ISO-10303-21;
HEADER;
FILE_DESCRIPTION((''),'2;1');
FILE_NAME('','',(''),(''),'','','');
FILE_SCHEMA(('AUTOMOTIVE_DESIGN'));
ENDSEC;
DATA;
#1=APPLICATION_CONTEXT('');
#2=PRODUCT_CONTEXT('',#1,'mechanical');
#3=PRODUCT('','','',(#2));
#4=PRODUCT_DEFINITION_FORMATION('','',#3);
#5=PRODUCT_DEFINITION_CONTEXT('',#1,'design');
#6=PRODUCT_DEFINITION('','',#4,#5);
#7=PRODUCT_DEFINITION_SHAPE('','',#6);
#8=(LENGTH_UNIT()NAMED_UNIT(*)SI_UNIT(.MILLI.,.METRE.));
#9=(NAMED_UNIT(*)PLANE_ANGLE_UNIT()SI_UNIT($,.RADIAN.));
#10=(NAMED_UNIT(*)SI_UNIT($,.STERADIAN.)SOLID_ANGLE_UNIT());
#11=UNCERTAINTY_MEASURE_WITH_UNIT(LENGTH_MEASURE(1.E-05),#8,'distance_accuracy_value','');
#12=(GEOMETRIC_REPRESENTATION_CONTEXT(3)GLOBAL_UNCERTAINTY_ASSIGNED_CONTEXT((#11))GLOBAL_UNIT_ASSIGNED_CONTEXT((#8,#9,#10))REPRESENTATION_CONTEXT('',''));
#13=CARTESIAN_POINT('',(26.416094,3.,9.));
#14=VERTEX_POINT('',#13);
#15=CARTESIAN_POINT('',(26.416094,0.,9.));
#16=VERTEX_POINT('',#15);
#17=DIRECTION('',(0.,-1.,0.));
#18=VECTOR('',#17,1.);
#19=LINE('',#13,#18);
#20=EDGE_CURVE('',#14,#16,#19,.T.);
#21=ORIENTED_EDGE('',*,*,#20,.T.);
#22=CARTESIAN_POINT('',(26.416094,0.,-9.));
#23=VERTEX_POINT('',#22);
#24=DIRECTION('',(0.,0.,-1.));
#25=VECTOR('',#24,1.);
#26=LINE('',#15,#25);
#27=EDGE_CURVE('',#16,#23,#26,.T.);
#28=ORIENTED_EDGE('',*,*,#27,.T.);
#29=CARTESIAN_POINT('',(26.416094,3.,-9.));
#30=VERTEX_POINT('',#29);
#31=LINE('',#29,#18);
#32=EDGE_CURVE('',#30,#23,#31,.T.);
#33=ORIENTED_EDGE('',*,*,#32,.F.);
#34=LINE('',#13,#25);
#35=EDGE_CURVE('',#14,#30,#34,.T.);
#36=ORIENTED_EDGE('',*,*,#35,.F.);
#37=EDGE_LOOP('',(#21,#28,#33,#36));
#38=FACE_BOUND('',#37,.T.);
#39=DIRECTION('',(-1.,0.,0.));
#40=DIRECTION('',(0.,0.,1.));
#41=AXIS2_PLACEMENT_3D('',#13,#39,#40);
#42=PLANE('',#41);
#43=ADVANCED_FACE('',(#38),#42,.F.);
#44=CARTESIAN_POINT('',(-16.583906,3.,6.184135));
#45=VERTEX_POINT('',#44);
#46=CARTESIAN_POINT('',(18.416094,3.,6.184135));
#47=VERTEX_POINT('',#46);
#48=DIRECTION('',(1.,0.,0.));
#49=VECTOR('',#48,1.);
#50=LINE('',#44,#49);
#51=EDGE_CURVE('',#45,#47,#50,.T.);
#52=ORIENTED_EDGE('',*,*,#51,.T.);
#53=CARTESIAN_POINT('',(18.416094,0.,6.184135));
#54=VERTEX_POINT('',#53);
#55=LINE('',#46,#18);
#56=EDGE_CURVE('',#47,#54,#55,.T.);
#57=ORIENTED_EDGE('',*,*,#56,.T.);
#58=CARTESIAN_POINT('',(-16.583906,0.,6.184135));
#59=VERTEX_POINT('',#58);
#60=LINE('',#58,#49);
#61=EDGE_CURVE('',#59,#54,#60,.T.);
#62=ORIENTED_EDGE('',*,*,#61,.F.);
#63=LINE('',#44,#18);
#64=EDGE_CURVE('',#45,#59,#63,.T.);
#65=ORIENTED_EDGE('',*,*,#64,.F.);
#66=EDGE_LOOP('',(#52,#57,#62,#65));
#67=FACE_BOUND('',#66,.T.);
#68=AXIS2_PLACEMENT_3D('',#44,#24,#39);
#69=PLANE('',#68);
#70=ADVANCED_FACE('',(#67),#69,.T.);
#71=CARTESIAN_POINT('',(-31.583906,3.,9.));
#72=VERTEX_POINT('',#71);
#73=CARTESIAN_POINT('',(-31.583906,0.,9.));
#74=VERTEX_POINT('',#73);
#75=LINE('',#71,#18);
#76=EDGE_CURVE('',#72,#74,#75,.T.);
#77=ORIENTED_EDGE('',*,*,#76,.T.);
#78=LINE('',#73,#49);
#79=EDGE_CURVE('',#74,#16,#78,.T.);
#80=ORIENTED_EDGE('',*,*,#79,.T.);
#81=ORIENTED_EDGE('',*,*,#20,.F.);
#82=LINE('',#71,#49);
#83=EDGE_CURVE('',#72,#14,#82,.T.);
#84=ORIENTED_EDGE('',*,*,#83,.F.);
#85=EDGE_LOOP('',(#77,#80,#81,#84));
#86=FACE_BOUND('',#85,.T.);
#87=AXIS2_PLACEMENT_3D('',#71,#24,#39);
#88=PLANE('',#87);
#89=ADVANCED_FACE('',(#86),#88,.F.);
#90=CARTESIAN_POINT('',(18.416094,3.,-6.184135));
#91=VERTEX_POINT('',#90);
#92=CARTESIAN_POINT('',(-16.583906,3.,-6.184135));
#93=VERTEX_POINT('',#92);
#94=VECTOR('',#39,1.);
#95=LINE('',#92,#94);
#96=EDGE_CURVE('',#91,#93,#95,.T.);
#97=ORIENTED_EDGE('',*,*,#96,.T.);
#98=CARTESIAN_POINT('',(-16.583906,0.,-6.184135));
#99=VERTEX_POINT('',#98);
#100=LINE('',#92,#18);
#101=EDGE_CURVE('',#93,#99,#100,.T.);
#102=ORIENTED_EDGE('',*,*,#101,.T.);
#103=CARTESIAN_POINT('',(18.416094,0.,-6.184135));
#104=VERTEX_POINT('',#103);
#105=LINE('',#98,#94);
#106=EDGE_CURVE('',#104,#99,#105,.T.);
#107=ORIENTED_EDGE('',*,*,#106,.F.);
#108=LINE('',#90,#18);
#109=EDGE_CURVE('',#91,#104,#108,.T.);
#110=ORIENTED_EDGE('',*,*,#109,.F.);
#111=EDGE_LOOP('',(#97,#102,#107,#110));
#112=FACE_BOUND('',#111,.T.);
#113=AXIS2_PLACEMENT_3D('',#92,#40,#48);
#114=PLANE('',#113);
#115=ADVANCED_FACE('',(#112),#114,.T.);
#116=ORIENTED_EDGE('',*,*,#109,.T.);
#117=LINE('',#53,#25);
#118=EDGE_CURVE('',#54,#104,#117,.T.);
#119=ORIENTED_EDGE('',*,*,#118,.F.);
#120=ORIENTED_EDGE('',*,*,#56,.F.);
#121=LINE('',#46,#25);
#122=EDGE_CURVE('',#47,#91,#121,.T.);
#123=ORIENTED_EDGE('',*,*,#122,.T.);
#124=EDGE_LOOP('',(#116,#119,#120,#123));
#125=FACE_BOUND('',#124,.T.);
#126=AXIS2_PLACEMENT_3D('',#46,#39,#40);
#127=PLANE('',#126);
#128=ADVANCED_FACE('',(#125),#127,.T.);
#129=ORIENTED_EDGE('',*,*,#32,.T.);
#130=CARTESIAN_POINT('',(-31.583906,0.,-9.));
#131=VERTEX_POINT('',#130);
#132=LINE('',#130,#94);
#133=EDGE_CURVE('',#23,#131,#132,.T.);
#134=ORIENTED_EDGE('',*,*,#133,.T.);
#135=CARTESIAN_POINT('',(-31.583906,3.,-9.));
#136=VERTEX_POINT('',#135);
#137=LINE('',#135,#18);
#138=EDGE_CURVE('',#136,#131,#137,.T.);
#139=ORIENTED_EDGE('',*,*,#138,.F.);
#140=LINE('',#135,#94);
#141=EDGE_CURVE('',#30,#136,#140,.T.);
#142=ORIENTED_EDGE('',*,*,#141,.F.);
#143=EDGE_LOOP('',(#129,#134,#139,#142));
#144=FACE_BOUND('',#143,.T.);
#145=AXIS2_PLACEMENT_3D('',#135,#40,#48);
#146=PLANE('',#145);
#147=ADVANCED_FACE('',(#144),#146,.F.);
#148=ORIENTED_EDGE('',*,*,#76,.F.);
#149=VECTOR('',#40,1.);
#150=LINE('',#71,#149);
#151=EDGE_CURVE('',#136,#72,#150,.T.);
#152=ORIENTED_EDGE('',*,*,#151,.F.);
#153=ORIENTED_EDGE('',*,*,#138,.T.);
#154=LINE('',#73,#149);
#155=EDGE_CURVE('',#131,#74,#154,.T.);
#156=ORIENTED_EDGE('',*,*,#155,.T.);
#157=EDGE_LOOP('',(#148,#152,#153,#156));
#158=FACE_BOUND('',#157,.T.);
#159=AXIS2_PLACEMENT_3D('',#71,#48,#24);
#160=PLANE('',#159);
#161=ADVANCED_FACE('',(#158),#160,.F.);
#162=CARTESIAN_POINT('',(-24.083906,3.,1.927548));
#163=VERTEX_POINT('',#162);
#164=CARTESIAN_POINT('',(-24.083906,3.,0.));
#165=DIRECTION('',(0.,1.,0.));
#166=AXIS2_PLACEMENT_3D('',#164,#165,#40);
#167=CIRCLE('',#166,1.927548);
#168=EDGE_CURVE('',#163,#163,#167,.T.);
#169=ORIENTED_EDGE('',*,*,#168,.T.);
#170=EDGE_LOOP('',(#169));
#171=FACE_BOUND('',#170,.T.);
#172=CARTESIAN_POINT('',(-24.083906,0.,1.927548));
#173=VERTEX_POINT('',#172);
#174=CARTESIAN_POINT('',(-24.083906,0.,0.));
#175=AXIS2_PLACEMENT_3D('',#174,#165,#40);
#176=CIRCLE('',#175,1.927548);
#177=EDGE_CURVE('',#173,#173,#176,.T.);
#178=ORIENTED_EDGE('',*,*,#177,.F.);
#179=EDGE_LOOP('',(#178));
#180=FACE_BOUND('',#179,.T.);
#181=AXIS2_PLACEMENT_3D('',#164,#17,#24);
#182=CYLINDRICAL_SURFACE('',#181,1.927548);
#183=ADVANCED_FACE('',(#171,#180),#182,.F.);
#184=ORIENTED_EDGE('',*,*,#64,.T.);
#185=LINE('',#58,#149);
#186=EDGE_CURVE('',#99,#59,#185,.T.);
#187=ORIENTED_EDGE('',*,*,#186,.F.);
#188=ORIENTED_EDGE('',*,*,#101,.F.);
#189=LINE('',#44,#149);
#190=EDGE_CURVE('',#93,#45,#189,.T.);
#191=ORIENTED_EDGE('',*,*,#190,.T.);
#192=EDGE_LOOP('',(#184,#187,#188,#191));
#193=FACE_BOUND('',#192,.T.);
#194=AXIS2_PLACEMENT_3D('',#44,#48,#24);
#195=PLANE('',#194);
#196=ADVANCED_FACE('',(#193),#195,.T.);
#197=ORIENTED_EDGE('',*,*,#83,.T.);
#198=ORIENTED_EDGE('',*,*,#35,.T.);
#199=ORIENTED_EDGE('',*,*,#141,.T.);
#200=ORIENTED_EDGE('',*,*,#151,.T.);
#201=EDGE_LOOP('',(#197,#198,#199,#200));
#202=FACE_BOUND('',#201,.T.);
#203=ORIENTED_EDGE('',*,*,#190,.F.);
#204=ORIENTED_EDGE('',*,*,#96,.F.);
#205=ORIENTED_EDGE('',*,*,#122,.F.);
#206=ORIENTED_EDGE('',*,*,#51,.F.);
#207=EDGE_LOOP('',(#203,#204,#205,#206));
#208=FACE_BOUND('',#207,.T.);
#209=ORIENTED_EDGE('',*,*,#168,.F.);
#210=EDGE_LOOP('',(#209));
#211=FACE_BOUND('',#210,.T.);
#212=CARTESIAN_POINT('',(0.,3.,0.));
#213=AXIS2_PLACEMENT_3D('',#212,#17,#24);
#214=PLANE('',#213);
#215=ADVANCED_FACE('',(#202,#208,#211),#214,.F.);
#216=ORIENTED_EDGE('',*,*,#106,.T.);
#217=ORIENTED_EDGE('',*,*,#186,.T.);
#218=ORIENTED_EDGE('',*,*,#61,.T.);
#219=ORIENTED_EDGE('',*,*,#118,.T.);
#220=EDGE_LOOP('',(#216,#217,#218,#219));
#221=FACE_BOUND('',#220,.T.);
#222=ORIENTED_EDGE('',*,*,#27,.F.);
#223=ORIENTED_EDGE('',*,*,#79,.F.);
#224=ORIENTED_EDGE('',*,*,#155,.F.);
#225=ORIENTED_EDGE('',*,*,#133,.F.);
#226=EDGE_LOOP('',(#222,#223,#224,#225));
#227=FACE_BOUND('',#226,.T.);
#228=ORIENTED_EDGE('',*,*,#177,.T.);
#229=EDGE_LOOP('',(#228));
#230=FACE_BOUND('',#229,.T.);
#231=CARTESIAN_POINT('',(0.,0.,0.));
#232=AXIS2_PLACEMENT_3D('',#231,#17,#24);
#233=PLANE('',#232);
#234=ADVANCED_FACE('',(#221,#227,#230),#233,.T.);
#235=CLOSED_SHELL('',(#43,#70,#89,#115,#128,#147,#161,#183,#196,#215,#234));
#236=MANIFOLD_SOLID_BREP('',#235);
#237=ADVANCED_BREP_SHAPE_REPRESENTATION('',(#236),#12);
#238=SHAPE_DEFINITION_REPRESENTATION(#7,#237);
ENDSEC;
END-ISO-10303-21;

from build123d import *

# Parameters (mm, degrees)
SKETCH1_W           = 58
SKETCH1_H           = 18
SKETCH1_R           = 1.927548047
SKETCH1_W_2         = 35
SKETCH1_H_2         = 12.368270078
BOSS_EXTRUDE1_DEPTH = 3


with BuildPart() as part:
    # Sketch1 → Boss-Extrude1 (new body)
    with BuildSketch(Plane(origin=(0, 0, 0), x_dir=(1, 0, 0), z_dir=(0, 1, 0))):
        with Locations((-2.583906322, 0)):
            Rectangle(SKETCH1_W, SKETCH1_H)
        with Locations(Location((-24.083906322, 0, 0), (0, 0, 270))):
            Circle(SKETCH1_R, mode=Mode.SUBTRACT)
        with Locations((0.916093678, 0)):
            Rectangle(SKETCH1_W_2, SKETCH1_H_2, mode=Mode.SUBTRACT)
    extrude(amount=BOSS_EXTRUDE1_DEPTH)


solid = part.part
